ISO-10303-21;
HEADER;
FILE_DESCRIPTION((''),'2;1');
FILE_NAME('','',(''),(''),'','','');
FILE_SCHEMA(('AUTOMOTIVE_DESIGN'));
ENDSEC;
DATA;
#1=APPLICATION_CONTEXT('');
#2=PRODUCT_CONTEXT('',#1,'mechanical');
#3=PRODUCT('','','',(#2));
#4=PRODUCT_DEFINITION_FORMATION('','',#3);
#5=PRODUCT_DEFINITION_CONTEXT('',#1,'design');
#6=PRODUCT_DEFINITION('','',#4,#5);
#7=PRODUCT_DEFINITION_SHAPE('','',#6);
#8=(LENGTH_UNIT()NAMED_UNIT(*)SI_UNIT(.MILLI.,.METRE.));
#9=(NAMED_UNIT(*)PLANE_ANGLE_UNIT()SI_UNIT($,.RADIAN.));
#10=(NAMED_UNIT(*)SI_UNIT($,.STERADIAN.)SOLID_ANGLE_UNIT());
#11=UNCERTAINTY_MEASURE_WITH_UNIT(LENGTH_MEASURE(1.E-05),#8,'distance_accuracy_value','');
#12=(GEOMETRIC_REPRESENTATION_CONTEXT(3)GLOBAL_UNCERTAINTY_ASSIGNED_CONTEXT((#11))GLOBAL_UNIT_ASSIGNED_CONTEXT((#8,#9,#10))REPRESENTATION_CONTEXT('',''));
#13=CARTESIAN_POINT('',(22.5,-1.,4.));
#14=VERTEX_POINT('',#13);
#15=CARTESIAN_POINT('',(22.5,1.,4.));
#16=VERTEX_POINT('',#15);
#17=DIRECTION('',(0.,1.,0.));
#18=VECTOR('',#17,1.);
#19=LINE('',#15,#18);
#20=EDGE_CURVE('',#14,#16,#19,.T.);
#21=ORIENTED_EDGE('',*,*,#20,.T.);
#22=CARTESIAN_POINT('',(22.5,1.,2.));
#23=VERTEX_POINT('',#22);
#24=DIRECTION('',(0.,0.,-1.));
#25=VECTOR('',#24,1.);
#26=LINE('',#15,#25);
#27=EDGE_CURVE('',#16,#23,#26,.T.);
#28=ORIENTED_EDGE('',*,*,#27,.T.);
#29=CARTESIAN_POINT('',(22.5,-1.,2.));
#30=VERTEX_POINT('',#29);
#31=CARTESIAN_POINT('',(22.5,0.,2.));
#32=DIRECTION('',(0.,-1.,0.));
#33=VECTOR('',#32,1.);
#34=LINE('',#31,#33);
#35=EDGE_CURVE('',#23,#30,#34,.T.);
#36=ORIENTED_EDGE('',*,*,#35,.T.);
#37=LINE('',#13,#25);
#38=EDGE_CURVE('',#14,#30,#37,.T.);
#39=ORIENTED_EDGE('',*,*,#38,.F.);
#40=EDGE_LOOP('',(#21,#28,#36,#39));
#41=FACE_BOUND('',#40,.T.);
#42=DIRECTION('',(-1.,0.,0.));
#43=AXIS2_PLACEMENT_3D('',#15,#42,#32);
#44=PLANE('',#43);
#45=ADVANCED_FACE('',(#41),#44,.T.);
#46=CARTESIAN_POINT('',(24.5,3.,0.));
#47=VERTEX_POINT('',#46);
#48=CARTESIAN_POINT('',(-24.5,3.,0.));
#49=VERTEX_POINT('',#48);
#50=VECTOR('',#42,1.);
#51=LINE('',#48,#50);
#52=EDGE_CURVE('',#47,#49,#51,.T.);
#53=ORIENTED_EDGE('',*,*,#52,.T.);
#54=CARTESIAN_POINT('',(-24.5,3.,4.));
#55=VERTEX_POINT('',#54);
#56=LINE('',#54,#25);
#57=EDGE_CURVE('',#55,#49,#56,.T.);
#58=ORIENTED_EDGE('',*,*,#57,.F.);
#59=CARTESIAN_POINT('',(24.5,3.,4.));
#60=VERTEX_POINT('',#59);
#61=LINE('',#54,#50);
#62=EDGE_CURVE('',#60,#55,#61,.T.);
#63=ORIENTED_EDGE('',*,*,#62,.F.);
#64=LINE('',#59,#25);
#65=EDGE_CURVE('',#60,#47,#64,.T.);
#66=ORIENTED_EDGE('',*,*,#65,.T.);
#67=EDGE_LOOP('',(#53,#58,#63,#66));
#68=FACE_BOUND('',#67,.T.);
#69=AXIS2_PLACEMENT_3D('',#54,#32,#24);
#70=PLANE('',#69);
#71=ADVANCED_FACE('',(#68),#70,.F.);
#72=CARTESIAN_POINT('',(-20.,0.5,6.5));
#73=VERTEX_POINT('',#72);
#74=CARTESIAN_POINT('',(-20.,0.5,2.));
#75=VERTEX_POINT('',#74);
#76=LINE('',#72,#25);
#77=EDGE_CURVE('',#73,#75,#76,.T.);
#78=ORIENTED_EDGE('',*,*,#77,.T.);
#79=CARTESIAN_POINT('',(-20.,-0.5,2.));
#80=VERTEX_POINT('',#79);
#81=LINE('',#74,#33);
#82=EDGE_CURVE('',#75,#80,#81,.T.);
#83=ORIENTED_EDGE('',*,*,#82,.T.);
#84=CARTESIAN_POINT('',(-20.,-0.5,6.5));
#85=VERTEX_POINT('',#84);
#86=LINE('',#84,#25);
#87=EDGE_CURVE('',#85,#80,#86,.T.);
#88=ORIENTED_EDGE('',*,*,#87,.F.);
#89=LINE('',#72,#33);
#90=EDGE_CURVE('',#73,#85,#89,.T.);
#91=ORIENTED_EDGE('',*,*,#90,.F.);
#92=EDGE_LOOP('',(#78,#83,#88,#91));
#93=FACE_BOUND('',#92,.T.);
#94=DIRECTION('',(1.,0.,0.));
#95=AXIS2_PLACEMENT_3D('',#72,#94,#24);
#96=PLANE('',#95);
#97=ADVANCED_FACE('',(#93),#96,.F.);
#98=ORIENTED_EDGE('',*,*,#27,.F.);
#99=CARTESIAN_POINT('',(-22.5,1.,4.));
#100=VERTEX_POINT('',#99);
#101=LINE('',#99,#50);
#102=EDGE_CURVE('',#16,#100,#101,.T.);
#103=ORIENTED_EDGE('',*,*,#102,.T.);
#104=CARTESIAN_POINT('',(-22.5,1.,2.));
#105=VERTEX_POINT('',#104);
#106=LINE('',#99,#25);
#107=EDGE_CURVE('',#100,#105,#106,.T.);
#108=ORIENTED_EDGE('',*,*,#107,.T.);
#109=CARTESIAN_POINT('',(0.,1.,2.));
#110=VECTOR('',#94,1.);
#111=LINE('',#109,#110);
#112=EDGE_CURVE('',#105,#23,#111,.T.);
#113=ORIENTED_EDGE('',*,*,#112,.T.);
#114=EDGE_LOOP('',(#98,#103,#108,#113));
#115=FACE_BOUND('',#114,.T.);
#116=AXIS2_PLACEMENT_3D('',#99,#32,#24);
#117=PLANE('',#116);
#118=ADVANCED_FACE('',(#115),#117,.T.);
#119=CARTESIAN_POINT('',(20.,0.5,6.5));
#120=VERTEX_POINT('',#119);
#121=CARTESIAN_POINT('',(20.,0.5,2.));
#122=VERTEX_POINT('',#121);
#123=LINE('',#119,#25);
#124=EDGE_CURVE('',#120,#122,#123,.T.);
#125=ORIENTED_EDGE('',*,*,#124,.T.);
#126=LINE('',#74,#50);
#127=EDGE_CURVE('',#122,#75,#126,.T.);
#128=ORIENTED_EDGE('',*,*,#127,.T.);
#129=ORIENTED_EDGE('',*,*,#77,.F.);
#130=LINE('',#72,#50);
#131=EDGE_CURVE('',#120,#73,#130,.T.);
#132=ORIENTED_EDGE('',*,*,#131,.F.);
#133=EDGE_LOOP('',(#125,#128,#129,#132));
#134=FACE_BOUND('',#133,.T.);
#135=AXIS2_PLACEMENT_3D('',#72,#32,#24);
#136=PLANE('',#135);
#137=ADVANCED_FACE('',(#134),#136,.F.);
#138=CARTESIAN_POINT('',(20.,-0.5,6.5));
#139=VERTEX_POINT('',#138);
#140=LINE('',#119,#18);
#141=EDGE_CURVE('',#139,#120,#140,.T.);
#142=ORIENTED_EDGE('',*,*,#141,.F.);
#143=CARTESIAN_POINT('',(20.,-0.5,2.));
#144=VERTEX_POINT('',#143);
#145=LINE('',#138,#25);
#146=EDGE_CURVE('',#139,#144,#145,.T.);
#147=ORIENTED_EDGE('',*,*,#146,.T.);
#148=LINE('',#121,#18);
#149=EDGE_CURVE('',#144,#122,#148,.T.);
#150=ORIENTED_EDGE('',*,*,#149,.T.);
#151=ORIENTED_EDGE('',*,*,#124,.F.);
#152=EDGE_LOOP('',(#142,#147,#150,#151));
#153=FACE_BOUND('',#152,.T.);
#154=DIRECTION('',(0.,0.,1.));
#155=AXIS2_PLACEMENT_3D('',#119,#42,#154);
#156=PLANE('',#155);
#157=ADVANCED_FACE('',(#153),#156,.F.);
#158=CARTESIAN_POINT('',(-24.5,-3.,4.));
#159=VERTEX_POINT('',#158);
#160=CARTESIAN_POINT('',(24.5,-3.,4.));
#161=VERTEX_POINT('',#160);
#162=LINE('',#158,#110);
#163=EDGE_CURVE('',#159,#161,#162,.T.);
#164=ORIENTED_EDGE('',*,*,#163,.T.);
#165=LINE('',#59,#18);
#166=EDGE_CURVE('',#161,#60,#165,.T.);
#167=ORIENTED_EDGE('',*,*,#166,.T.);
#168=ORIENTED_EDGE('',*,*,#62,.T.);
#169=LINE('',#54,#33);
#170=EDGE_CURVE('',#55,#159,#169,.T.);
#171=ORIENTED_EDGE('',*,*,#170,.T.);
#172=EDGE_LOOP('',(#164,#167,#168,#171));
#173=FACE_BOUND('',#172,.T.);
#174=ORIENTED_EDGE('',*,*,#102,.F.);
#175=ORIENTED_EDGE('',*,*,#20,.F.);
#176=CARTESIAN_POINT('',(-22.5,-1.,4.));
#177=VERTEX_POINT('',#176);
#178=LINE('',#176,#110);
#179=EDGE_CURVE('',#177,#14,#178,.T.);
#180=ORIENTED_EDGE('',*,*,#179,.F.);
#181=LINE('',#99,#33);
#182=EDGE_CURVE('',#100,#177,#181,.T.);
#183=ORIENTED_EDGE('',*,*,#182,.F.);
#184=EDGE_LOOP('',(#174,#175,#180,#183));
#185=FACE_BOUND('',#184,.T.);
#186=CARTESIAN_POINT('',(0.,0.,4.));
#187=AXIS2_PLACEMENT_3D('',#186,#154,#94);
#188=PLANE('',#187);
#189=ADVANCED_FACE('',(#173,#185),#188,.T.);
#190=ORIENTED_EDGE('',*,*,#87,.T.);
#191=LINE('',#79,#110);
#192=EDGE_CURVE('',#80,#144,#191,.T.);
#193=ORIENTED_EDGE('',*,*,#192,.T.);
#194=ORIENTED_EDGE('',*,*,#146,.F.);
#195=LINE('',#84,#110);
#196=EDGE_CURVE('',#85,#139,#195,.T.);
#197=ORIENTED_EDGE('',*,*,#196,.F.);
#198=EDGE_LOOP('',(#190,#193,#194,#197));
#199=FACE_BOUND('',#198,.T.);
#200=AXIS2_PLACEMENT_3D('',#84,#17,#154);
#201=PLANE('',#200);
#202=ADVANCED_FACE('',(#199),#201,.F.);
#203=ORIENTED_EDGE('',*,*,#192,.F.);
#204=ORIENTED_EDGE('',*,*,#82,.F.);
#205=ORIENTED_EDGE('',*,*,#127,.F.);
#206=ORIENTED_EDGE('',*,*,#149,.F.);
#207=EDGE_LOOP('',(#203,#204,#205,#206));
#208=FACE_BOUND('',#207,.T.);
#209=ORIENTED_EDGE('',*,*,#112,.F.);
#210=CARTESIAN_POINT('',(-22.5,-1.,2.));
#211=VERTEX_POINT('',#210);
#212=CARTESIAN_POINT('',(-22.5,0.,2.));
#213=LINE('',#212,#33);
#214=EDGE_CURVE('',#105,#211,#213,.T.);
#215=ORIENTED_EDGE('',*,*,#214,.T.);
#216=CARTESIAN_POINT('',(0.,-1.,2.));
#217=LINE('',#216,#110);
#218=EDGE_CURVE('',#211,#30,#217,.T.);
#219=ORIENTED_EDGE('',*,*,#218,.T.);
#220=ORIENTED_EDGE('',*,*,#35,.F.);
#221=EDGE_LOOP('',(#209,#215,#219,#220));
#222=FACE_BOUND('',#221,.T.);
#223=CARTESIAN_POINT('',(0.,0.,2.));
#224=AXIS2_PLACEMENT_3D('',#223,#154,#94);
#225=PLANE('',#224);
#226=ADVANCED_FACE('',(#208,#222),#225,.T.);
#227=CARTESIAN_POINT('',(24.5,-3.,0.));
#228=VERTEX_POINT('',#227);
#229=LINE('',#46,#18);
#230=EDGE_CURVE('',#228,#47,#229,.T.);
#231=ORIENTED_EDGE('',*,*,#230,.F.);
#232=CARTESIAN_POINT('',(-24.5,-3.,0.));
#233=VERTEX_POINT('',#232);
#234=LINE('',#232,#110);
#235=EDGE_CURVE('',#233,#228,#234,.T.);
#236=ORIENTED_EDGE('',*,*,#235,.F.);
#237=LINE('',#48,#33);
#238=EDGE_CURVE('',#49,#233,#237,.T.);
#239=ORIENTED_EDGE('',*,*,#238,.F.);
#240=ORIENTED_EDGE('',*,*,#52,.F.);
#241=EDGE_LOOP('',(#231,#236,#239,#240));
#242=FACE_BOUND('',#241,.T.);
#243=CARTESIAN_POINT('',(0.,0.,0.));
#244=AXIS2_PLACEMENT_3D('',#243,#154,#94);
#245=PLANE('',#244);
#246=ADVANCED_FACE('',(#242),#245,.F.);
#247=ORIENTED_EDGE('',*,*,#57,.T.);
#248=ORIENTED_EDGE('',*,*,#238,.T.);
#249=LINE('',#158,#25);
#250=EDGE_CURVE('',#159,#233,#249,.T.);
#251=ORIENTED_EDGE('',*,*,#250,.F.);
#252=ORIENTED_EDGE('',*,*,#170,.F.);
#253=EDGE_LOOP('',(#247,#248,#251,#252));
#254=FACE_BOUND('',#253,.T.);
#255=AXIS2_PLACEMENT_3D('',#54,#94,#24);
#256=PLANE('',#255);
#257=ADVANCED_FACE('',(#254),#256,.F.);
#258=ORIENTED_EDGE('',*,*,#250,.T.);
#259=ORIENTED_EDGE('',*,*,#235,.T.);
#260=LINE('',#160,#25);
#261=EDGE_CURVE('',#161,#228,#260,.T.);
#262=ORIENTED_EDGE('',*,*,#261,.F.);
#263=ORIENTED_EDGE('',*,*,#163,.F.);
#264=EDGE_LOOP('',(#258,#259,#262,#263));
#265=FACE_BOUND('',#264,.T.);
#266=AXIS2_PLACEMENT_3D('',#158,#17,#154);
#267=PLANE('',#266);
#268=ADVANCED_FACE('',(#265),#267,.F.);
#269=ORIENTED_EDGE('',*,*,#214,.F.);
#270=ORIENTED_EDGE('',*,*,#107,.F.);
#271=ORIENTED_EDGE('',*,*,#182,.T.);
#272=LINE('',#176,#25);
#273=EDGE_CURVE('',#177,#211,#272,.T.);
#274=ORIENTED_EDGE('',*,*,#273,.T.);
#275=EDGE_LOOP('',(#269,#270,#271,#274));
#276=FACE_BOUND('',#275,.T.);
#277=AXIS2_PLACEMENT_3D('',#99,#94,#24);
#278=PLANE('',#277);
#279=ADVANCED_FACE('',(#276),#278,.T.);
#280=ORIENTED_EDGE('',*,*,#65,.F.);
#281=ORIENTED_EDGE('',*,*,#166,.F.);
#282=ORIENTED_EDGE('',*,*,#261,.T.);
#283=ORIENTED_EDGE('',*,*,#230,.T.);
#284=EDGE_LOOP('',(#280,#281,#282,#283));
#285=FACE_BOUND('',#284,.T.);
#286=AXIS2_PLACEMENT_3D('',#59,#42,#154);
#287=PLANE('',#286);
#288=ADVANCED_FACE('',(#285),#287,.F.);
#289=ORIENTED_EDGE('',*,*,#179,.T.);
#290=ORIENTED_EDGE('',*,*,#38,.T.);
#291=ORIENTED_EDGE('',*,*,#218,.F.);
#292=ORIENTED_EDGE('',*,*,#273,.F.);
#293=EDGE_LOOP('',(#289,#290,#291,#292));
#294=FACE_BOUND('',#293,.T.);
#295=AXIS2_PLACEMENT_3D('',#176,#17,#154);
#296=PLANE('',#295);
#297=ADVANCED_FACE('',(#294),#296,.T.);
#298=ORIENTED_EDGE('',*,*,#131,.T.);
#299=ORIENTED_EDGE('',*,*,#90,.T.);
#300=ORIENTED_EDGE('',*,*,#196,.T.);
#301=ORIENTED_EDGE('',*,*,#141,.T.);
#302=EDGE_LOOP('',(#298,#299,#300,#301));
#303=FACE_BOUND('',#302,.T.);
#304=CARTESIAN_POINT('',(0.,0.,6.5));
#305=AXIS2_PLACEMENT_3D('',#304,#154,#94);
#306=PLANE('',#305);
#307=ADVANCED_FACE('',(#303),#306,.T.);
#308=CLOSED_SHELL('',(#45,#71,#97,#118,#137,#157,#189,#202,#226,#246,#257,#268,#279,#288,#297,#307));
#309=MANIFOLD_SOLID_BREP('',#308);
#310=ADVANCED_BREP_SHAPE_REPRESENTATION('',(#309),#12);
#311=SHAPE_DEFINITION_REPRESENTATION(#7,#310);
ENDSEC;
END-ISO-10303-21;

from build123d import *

# Parameters (mm, degrees)
SKETCH1_W           = 45
SKETCH1_H           = 2
BOSS_EXTRUDE1_DEPTH = 2
SKETCH1_3_W         = 49
SKETCH1_3_H         = 6
SKETCH1_3_W_2       = 45
SKETCH1_3_H_2       = 2
BOSS_EXTRUDE2_DEPTH = 4
SKETCH2_W           = 40
SKETCH2_H           = 1
BOSS_EXTRUDE3_DEPTH = 4.5


with BuildPart() as part:
    # Sketch1 → Boss-Extrude1 (new body)
    with BuildSketch(Plane.XY):
        Rectangle(SKETCH1_W, SKETCH1_H)
    extrude(amount=BOSS_EXTRUDE1_DEPTH)

    # Sketch1<3> → Boss-Extrude2 (add)
    with BuildSketch(Plane.XY):
        Rectangle(SKETCH1_3_W, SKETCH1_3_H)
        Rectangle(SKETCH1_3_W_2, SKETCH1_3_H_2, mode=Mode.SUBTRACT)
    extrude(amount=BOSS_EXTRUDE2_DEPTH)

    # Sketch2 → Boss-Extrude3 (add)
    with BuildSketch(Plane.XY.offset(2)):
        Rectangle(SKETCH2_W, SKETCH2_H)
    extrude(amount=BOSS_EXTRUDE3_DEPTH)


solid = part.part
